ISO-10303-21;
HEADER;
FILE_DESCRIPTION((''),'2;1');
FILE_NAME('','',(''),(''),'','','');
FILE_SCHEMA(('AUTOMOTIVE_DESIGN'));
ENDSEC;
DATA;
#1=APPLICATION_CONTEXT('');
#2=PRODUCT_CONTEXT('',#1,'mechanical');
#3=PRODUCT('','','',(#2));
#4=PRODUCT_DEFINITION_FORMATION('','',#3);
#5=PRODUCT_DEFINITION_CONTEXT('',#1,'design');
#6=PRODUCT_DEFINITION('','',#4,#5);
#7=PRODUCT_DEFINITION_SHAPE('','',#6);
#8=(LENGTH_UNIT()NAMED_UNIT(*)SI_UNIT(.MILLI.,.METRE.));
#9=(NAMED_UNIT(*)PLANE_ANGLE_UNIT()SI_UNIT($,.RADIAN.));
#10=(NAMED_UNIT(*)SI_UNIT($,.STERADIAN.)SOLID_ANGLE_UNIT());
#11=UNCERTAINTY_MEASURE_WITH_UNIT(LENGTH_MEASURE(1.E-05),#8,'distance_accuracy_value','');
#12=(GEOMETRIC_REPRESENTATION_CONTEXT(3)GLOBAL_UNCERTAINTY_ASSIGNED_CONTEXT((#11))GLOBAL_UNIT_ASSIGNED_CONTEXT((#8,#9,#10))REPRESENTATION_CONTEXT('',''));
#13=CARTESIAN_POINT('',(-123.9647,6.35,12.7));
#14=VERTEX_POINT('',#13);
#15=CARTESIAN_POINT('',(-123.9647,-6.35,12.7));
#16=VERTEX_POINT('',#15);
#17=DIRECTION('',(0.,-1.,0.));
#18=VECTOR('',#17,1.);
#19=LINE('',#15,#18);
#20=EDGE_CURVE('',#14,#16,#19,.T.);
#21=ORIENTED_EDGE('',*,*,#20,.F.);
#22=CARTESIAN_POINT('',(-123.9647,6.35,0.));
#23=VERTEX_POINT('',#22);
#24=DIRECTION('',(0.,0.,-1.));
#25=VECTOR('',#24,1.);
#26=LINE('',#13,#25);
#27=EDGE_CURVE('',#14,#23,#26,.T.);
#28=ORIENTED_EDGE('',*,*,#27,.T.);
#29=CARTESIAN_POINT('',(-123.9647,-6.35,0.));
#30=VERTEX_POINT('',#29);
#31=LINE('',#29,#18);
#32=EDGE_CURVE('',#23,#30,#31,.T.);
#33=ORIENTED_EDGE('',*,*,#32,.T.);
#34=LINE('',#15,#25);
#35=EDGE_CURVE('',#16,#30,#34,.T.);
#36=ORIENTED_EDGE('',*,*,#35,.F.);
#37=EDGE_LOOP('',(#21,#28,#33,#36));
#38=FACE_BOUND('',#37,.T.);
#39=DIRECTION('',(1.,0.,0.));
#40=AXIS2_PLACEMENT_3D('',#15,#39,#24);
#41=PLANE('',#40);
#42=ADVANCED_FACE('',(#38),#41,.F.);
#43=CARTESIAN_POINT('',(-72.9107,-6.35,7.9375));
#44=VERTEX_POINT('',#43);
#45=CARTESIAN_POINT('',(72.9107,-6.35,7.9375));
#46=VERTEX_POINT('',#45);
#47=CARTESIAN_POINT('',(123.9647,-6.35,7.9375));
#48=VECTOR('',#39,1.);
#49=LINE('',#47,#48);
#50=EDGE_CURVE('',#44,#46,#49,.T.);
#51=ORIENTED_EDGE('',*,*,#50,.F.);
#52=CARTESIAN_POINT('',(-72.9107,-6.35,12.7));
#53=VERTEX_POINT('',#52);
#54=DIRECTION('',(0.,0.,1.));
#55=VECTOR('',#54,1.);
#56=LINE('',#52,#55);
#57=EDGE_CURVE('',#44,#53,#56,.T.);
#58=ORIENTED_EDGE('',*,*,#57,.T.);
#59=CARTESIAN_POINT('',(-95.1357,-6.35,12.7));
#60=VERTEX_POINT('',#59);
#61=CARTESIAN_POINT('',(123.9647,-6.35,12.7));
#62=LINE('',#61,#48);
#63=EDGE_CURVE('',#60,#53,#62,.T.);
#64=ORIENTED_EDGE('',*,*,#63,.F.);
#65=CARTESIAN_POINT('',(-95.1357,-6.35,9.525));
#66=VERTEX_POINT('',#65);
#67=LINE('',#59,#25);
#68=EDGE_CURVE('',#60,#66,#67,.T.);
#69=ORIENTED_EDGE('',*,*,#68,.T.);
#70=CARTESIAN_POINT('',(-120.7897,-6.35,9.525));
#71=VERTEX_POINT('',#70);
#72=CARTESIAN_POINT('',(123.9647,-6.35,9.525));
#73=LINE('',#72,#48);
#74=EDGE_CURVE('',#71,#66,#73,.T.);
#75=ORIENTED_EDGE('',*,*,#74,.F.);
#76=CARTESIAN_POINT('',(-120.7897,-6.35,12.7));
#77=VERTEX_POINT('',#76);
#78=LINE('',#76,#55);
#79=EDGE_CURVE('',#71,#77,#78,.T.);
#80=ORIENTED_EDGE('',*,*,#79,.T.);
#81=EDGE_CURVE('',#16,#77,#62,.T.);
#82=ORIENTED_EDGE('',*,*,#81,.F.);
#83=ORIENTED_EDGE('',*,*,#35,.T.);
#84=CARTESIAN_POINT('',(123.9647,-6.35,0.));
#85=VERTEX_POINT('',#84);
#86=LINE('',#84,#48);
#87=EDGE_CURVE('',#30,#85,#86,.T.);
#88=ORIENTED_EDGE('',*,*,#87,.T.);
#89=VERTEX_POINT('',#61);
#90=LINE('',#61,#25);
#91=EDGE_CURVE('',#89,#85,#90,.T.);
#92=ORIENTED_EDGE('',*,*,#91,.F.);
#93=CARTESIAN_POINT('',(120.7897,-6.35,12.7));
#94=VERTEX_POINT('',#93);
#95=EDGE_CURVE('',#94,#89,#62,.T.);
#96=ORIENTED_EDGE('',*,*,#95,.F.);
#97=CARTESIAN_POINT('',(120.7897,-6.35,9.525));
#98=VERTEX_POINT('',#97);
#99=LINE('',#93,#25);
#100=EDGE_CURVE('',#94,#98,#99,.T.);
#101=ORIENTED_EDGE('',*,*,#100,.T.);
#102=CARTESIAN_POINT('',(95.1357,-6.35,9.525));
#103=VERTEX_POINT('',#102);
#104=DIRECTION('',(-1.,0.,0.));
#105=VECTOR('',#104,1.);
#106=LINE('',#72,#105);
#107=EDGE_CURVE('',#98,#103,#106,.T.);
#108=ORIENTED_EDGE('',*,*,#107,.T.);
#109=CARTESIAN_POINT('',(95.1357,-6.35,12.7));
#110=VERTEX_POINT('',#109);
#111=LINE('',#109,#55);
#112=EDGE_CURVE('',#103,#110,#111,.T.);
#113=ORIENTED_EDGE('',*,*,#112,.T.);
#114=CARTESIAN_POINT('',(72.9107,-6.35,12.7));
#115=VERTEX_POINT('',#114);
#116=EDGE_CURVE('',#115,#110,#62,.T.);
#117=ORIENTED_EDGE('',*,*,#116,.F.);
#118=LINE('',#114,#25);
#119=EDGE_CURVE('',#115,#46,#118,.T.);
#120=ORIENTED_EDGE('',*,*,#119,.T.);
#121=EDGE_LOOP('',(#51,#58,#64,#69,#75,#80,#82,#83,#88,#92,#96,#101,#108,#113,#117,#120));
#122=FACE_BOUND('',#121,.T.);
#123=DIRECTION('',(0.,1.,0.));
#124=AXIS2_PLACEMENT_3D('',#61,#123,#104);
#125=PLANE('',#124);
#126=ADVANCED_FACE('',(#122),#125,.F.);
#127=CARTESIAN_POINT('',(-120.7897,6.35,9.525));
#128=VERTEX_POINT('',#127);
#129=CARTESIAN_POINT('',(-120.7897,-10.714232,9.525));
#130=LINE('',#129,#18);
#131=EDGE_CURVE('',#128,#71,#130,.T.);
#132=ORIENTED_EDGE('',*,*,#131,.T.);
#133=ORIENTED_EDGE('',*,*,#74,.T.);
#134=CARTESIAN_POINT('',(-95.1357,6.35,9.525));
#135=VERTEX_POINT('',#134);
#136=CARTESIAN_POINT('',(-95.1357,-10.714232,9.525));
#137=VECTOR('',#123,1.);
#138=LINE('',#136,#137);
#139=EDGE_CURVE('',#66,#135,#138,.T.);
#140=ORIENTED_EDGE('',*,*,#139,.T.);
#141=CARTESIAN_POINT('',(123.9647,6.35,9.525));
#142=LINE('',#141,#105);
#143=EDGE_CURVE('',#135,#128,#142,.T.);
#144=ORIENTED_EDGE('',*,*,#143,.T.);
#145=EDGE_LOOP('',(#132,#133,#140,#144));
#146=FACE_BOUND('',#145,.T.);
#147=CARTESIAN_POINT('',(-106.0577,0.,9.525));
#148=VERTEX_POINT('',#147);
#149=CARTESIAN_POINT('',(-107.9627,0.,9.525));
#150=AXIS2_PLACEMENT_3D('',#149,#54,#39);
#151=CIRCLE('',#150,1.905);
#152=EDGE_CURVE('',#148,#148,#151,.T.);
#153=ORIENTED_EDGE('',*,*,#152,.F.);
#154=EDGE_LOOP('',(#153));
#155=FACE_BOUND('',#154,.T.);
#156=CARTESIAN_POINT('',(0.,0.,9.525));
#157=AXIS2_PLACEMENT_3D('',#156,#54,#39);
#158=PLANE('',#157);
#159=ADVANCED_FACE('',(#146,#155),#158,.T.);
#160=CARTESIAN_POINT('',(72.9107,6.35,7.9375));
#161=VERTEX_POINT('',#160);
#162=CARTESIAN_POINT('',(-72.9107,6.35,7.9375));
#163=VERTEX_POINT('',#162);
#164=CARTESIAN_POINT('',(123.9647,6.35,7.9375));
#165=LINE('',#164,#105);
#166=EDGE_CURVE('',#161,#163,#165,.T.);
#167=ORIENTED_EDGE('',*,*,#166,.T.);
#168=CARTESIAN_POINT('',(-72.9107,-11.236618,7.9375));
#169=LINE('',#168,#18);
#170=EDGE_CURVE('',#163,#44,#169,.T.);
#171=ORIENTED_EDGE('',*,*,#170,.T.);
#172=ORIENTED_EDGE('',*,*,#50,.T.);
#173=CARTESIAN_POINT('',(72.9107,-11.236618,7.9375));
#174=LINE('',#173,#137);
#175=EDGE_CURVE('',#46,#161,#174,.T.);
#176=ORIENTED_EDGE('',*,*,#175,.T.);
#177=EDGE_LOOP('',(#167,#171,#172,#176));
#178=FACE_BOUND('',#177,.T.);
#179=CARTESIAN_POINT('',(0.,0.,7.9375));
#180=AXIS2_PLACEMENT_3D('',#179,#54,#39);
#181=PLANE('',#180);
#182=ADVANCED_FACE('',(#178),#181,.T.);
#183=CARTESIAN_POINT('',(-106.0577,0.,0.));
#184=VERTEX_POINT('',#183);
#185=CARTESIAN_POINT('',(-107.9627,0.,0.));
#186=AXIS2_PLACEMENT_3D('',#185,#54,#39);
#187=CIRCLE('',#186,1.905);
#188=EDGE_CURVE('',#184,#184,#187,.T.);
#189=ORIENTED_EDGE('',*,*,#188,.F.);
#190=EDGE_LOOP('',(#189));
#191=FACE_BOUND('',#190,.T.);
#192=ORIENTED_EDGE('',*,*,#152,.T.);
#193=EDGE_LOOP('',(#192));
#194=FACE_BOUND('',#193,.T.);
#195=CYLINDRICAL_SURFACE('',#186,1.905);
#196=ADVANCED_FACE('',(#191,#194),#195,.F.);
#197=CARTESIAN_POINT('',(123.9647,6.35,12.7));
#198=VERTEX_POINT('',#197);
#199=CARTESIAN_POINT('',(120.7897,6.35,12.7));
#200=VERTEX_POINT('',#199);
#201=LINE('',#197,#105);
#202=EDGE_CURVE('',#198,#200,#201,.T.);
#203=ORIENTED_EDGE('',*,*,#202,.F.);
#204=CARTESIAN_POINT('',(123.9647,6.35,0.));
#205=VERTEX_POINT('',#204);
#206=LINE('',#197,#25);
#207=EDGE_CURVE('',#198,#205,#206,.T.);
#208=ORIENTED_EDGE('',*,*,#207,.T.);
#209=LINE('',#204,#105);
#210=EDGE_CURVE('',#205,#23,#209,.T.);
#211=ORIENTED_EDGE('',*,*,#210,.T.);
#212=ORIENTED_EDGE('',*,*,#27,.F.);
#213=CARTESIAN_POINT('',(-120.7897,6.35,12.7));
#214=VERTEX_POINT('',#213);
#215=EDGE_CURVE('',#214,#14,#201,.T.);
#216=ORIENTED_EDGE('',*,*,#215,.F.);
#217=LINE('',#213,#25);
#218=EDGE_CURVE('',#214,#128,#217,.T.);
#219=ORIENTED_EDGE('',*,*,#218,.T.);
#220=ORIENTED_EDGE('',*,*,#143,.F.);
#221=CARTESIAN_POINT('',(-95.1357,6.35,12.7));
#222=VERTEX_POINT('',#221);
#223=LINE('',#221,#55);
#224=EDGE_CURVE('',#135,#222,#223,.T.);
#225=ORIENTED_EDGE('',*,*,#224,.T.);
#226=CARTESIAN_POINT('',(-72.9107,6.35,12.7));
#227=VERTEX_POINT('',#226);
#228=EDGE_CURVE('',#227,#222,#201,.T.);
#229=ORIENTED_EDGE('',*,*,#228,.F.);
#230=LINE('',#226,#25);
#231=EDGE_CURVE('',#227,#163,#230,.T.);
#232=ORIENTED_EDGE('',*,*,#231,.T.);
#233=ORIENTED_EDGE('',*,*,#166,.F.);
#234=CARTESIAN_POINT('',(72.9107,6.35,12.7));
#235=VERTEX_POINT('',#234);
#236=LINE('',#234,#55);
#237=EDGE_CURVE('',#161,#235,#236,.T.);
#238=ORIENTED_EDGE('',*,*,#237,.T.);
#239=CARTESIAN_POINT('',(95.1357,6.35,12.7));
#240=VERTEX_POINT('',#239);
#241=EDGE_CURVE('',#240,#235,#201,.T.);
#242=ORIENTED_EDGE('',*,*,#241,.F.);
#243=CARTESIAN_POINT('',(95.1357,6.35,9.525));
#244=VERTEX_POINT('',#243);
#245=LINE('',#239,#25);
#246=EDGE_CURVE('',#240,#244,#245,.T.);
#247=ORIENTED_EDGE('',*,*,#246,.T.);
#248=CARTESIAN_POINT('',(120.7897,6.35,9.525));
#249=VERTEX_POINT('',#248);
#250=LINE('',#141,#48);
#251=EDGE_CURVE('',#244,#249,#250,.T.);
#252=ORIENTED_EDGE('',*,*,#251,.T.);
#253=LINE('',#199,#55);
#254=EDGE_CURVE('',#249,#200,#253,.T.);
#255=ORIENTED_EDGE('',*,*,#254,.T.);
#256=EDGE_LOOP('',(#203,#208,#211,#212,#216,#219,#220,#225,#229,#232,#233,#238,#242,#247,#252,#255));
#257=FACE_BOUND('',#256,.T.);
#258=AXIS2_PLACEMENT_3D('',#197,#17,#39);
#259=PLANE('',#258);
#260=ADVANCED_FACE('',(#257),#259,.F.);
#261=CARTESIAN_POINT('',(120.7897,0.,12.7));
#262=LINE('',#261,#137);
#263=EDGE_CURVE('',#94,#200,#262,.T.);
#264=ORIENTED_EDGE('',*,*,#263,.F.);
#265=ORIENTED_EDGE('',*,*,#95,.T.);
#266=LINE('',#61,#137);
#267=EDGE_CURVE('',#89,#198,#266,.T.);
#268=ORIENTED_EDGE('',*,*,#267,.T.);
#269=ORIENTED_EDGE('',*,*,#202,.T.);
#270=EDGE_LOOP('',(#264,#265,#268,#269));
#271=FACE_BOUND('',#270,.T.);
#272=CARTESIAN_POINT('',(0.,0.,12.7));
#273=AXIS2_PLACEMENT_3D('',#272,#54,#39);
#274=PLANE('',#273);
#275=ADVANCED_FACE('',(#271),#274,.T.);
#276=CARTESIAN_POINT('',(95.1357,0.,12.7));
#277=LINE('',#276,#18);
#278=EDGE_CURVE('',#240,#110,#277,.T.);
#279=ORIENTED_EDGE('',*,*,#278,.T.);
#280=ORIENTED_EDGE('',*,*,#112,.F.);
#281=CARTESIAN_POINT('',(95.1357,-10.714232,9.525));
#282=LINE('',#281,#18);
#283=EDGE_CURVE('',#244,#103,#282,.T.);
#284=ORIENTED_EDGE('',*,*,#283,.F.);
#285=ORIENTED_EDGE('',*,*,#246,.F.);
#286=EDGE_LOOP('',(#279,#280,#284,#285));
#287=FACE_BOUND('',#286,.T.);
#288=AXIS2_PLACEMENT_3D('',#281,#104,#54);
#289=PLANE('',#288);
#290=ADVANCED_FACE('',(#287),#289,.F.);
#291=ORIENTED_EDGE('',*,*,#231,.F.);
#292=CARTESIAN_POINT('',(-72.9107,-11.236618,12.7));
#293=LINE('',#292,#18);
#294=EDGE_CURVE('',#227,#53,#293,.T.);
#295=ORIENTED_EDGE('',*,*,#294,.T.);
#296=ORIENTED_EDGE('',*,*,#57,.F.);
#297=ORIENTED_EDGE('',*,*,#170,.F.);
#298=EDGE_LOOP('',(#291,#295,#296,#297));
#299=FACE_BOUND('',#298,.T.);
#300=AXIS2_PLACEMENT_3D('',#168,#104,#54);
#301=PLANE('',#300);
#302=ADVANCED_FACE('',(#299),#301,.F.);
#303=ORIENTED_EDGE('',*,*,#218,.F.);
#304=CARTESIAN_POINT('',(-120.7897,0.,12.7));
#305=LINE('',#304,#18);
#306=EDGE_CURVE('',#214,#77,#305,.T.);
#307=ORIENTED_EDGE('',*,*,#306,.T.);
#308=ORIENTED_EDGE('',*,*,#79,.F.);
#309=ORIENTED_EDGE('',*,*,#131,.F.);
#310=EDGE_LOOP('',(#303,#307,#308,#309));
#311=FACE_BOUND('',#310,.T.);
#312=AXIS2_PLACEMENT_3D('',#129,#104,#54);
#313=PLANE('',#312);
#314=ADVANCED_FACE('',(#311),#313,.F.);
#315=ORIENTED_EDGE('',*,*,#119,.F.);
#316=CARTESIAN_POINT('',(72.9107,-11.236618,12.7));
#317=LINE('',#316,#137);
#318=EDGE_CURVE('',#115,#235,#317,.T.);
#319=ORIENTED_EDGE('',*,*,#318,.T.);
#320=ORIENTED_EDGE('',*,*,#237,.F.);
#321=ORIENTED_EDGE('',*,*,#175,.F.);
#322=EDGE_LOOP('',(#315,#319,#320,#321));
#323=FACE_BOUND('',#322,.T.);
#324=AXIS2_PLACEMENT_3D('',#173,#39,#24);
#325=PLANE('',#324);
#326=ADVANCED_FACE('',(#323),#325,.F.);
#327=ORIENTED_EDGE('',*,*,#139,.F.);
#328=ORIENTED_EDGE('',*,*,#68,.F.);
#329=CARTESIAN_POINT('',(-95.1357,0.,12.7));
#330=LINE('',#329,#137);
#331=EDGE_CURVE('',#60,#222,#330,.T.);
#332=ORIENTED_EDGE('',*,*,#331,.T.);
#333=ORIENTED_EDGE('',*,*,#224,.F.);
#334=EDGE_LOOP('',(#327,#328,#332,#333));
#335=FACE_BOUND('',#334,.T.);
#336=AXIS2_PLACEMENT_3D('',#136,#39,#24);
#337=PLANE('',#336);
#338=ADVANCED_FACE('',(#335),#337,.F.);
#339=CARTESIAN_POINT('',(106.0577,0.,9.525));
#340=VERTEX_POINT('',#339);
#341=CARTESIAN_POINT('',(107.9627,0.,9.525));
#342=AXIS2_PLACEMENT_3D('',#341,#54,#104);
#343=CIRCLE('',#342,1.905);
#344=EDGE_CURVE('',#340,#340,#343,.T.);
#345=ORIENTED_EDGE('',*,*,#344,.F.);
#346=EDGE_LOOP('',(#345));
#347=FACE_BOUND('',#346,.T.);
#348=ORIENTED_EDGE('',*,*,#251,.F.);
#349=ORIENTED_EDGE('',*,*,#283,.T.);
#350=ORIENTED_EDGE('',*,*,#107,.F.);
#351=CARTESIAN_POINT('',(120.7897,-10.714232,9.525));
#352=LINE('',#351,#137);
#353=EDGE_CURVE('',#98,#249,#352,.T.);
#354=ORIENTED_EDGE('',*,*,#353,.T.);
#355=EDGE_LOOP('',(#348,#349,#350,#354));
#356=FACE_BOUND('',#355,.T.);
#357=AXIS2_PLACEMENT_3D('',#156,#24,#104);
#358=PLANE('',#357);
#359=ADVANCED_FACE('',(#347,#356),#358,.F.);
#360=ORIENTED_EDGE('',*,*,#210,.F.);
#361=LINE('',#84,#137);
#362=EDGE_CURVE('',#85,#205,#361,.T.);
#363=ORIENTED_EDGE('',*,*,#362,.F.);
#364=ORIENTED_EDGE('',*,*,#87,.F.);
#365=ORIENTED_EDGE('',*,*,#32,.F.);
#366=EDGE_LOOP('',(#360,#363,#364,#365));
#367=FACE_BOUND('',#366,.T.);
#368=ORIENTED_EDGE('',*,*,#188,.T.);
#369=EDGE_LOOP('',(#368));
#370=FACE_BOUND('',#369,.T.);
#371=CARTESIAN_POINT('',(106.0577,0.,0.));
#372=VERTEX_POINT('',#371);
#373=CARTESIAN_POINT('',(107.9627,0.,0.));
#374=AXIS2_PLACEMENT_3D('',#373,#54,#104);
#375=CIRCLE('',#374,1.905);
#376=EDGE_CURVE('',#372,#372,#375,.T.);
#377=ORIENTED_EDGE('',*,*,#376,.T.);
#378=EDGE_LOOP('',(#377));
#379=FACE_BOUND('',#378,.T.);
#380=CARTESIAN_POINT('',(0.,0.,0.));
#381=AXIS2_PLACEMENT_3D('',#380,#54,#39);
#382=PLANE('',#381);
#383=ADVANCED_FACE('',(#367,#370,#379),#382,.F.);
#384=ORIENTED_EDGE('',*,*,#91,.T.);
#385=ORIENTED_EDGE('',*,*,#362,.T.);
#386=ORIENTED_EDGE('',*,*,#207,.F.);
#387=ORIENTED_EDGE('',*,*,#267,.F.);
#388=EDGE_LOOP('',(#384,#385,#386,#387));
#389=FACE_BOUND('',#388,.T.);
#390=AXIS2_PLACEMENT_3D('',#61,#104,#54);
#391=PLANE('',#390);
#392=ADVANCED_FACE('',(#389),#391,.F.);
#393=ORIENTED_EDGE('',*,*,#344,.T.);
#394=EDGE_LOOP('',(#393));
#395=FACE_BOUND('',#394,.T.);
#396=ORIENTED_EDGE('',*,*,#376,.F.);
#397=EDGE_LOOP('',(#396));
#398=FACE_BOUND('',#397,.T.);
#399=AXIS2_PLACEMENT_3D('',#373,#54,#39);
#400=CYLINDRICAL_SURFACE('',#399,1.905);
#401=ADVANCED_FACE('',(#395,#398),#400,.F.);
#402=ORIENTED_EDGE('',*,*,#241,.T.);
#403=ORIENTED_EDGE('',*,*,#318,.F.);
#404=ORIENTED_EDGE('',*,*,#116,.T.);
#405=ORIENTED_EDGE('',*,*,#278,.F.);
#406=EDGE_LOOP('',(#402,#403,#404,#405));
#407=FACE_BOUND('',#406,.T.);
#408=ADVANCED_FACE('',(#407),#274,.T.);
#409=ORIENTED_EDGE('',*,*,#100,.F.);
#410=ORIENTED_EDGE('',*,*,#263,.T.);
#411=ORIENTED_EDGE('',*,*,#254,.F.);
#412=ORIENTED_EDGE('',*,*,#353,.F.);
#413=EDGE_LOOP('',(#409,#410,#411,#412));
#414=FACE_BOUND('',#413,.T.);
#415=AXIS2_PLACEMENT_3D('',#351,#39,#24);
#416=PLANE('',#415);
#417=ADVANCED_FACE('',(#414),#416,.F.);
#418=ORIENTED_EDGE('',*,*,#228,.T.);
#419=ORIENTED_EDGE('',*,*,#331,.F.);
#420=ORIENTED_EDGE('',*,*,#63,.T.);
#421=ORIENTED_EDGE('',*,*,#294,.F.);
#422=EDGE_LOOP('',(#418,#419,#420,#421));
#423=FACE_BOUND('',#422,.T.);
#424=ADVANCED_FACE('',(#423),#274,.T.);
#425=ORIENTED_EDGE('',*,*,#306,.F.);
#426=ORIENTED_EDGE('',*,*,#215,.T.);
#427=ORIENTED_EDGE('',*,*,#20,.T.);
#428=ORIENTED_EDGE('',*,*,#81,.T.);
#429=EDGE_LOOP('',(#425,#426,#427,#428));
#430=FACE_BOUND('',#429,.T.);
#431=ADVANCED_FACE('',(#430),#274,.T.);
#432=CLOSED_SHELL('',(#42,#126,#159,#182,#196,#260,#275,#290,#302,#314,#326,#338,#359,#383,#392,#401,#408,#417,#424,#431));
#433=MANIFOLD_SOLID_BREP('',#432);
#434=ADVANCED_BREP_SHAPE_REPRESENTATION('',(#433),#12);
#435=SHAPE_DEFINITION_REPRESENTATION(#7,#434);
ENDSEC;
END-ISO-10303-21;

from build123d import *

# Parameters (mm, degrees)
SKETCH1_W           = 247.9294
SKETCH1_H           = 12.7
BOSS_EXTRUDE1_DEPTH = 12.7
SKETCH2_W           = 25.654
SKETCH2_H           = 21.428464986
CUT_EXTRUDE1_DEPTH  = 3.175
SKETCH3_W           = 145.8214
SKETCH3_H           = 22.473236176
CUT_EXTRUDE2_DEPTH  = 4.7625
CUT_EXTRUDE3_START  = -9.525
SKETCH4_R           = 1.905
CUT_EXTRUDE3_DEPTH  = 9.525


with BuildPart() as part:
    # Sketch1 → Boss-Extrude1 (new body)
    with BuildSketch(Plane.XY):
        Rectangle(SKETCH1_W, SKETCH1_H)
    extrude(amount=BOSS_EXTRUDE1_DEPTH)

    # Sketch2 → Cut-Extrude1 (cut)
    with BuildSketch(Plane.XY.offset(12.7)):
        with Locations((-107.9627, 0)):
            Rectangle(SKETCH2_W, SKETCH2_H)
        with Locations((107.9627, 0)):
            Rectangle(SKETCH2_W, SKETCH2_H)
    extrude(amount=-CUT_EXTRUDE1_DEPTH, mode=Mode.SUBTRACT)

    # Sketch3 → Cut-Extrude2 (cut)
    with BuildSketch(Plane.XY.offset(12.7)):
        Rectangle(SKETCH3_W, SKETCH3_H)
    extrude(amount=-CUT_EXTRUDE2_DEPTH, mode=Mode.SUBTRACT)

    # Sketch4 → Cut-Extrude3 (cut)
    with BuildSketch(Plane.XY.offset(9.525).offset(CUT_EXTRUDE3_START)):
        with Locations((-107.9627, 0)):
            Circle(SKETCH4_R)
        with Locations((107.9627, 0)):
            Circle(SKETCH4_R)
    extrude(amount=CUT_EXTRUDE3_DEPTH, mode=Mode.SUBTRACT)


solid = part.part
